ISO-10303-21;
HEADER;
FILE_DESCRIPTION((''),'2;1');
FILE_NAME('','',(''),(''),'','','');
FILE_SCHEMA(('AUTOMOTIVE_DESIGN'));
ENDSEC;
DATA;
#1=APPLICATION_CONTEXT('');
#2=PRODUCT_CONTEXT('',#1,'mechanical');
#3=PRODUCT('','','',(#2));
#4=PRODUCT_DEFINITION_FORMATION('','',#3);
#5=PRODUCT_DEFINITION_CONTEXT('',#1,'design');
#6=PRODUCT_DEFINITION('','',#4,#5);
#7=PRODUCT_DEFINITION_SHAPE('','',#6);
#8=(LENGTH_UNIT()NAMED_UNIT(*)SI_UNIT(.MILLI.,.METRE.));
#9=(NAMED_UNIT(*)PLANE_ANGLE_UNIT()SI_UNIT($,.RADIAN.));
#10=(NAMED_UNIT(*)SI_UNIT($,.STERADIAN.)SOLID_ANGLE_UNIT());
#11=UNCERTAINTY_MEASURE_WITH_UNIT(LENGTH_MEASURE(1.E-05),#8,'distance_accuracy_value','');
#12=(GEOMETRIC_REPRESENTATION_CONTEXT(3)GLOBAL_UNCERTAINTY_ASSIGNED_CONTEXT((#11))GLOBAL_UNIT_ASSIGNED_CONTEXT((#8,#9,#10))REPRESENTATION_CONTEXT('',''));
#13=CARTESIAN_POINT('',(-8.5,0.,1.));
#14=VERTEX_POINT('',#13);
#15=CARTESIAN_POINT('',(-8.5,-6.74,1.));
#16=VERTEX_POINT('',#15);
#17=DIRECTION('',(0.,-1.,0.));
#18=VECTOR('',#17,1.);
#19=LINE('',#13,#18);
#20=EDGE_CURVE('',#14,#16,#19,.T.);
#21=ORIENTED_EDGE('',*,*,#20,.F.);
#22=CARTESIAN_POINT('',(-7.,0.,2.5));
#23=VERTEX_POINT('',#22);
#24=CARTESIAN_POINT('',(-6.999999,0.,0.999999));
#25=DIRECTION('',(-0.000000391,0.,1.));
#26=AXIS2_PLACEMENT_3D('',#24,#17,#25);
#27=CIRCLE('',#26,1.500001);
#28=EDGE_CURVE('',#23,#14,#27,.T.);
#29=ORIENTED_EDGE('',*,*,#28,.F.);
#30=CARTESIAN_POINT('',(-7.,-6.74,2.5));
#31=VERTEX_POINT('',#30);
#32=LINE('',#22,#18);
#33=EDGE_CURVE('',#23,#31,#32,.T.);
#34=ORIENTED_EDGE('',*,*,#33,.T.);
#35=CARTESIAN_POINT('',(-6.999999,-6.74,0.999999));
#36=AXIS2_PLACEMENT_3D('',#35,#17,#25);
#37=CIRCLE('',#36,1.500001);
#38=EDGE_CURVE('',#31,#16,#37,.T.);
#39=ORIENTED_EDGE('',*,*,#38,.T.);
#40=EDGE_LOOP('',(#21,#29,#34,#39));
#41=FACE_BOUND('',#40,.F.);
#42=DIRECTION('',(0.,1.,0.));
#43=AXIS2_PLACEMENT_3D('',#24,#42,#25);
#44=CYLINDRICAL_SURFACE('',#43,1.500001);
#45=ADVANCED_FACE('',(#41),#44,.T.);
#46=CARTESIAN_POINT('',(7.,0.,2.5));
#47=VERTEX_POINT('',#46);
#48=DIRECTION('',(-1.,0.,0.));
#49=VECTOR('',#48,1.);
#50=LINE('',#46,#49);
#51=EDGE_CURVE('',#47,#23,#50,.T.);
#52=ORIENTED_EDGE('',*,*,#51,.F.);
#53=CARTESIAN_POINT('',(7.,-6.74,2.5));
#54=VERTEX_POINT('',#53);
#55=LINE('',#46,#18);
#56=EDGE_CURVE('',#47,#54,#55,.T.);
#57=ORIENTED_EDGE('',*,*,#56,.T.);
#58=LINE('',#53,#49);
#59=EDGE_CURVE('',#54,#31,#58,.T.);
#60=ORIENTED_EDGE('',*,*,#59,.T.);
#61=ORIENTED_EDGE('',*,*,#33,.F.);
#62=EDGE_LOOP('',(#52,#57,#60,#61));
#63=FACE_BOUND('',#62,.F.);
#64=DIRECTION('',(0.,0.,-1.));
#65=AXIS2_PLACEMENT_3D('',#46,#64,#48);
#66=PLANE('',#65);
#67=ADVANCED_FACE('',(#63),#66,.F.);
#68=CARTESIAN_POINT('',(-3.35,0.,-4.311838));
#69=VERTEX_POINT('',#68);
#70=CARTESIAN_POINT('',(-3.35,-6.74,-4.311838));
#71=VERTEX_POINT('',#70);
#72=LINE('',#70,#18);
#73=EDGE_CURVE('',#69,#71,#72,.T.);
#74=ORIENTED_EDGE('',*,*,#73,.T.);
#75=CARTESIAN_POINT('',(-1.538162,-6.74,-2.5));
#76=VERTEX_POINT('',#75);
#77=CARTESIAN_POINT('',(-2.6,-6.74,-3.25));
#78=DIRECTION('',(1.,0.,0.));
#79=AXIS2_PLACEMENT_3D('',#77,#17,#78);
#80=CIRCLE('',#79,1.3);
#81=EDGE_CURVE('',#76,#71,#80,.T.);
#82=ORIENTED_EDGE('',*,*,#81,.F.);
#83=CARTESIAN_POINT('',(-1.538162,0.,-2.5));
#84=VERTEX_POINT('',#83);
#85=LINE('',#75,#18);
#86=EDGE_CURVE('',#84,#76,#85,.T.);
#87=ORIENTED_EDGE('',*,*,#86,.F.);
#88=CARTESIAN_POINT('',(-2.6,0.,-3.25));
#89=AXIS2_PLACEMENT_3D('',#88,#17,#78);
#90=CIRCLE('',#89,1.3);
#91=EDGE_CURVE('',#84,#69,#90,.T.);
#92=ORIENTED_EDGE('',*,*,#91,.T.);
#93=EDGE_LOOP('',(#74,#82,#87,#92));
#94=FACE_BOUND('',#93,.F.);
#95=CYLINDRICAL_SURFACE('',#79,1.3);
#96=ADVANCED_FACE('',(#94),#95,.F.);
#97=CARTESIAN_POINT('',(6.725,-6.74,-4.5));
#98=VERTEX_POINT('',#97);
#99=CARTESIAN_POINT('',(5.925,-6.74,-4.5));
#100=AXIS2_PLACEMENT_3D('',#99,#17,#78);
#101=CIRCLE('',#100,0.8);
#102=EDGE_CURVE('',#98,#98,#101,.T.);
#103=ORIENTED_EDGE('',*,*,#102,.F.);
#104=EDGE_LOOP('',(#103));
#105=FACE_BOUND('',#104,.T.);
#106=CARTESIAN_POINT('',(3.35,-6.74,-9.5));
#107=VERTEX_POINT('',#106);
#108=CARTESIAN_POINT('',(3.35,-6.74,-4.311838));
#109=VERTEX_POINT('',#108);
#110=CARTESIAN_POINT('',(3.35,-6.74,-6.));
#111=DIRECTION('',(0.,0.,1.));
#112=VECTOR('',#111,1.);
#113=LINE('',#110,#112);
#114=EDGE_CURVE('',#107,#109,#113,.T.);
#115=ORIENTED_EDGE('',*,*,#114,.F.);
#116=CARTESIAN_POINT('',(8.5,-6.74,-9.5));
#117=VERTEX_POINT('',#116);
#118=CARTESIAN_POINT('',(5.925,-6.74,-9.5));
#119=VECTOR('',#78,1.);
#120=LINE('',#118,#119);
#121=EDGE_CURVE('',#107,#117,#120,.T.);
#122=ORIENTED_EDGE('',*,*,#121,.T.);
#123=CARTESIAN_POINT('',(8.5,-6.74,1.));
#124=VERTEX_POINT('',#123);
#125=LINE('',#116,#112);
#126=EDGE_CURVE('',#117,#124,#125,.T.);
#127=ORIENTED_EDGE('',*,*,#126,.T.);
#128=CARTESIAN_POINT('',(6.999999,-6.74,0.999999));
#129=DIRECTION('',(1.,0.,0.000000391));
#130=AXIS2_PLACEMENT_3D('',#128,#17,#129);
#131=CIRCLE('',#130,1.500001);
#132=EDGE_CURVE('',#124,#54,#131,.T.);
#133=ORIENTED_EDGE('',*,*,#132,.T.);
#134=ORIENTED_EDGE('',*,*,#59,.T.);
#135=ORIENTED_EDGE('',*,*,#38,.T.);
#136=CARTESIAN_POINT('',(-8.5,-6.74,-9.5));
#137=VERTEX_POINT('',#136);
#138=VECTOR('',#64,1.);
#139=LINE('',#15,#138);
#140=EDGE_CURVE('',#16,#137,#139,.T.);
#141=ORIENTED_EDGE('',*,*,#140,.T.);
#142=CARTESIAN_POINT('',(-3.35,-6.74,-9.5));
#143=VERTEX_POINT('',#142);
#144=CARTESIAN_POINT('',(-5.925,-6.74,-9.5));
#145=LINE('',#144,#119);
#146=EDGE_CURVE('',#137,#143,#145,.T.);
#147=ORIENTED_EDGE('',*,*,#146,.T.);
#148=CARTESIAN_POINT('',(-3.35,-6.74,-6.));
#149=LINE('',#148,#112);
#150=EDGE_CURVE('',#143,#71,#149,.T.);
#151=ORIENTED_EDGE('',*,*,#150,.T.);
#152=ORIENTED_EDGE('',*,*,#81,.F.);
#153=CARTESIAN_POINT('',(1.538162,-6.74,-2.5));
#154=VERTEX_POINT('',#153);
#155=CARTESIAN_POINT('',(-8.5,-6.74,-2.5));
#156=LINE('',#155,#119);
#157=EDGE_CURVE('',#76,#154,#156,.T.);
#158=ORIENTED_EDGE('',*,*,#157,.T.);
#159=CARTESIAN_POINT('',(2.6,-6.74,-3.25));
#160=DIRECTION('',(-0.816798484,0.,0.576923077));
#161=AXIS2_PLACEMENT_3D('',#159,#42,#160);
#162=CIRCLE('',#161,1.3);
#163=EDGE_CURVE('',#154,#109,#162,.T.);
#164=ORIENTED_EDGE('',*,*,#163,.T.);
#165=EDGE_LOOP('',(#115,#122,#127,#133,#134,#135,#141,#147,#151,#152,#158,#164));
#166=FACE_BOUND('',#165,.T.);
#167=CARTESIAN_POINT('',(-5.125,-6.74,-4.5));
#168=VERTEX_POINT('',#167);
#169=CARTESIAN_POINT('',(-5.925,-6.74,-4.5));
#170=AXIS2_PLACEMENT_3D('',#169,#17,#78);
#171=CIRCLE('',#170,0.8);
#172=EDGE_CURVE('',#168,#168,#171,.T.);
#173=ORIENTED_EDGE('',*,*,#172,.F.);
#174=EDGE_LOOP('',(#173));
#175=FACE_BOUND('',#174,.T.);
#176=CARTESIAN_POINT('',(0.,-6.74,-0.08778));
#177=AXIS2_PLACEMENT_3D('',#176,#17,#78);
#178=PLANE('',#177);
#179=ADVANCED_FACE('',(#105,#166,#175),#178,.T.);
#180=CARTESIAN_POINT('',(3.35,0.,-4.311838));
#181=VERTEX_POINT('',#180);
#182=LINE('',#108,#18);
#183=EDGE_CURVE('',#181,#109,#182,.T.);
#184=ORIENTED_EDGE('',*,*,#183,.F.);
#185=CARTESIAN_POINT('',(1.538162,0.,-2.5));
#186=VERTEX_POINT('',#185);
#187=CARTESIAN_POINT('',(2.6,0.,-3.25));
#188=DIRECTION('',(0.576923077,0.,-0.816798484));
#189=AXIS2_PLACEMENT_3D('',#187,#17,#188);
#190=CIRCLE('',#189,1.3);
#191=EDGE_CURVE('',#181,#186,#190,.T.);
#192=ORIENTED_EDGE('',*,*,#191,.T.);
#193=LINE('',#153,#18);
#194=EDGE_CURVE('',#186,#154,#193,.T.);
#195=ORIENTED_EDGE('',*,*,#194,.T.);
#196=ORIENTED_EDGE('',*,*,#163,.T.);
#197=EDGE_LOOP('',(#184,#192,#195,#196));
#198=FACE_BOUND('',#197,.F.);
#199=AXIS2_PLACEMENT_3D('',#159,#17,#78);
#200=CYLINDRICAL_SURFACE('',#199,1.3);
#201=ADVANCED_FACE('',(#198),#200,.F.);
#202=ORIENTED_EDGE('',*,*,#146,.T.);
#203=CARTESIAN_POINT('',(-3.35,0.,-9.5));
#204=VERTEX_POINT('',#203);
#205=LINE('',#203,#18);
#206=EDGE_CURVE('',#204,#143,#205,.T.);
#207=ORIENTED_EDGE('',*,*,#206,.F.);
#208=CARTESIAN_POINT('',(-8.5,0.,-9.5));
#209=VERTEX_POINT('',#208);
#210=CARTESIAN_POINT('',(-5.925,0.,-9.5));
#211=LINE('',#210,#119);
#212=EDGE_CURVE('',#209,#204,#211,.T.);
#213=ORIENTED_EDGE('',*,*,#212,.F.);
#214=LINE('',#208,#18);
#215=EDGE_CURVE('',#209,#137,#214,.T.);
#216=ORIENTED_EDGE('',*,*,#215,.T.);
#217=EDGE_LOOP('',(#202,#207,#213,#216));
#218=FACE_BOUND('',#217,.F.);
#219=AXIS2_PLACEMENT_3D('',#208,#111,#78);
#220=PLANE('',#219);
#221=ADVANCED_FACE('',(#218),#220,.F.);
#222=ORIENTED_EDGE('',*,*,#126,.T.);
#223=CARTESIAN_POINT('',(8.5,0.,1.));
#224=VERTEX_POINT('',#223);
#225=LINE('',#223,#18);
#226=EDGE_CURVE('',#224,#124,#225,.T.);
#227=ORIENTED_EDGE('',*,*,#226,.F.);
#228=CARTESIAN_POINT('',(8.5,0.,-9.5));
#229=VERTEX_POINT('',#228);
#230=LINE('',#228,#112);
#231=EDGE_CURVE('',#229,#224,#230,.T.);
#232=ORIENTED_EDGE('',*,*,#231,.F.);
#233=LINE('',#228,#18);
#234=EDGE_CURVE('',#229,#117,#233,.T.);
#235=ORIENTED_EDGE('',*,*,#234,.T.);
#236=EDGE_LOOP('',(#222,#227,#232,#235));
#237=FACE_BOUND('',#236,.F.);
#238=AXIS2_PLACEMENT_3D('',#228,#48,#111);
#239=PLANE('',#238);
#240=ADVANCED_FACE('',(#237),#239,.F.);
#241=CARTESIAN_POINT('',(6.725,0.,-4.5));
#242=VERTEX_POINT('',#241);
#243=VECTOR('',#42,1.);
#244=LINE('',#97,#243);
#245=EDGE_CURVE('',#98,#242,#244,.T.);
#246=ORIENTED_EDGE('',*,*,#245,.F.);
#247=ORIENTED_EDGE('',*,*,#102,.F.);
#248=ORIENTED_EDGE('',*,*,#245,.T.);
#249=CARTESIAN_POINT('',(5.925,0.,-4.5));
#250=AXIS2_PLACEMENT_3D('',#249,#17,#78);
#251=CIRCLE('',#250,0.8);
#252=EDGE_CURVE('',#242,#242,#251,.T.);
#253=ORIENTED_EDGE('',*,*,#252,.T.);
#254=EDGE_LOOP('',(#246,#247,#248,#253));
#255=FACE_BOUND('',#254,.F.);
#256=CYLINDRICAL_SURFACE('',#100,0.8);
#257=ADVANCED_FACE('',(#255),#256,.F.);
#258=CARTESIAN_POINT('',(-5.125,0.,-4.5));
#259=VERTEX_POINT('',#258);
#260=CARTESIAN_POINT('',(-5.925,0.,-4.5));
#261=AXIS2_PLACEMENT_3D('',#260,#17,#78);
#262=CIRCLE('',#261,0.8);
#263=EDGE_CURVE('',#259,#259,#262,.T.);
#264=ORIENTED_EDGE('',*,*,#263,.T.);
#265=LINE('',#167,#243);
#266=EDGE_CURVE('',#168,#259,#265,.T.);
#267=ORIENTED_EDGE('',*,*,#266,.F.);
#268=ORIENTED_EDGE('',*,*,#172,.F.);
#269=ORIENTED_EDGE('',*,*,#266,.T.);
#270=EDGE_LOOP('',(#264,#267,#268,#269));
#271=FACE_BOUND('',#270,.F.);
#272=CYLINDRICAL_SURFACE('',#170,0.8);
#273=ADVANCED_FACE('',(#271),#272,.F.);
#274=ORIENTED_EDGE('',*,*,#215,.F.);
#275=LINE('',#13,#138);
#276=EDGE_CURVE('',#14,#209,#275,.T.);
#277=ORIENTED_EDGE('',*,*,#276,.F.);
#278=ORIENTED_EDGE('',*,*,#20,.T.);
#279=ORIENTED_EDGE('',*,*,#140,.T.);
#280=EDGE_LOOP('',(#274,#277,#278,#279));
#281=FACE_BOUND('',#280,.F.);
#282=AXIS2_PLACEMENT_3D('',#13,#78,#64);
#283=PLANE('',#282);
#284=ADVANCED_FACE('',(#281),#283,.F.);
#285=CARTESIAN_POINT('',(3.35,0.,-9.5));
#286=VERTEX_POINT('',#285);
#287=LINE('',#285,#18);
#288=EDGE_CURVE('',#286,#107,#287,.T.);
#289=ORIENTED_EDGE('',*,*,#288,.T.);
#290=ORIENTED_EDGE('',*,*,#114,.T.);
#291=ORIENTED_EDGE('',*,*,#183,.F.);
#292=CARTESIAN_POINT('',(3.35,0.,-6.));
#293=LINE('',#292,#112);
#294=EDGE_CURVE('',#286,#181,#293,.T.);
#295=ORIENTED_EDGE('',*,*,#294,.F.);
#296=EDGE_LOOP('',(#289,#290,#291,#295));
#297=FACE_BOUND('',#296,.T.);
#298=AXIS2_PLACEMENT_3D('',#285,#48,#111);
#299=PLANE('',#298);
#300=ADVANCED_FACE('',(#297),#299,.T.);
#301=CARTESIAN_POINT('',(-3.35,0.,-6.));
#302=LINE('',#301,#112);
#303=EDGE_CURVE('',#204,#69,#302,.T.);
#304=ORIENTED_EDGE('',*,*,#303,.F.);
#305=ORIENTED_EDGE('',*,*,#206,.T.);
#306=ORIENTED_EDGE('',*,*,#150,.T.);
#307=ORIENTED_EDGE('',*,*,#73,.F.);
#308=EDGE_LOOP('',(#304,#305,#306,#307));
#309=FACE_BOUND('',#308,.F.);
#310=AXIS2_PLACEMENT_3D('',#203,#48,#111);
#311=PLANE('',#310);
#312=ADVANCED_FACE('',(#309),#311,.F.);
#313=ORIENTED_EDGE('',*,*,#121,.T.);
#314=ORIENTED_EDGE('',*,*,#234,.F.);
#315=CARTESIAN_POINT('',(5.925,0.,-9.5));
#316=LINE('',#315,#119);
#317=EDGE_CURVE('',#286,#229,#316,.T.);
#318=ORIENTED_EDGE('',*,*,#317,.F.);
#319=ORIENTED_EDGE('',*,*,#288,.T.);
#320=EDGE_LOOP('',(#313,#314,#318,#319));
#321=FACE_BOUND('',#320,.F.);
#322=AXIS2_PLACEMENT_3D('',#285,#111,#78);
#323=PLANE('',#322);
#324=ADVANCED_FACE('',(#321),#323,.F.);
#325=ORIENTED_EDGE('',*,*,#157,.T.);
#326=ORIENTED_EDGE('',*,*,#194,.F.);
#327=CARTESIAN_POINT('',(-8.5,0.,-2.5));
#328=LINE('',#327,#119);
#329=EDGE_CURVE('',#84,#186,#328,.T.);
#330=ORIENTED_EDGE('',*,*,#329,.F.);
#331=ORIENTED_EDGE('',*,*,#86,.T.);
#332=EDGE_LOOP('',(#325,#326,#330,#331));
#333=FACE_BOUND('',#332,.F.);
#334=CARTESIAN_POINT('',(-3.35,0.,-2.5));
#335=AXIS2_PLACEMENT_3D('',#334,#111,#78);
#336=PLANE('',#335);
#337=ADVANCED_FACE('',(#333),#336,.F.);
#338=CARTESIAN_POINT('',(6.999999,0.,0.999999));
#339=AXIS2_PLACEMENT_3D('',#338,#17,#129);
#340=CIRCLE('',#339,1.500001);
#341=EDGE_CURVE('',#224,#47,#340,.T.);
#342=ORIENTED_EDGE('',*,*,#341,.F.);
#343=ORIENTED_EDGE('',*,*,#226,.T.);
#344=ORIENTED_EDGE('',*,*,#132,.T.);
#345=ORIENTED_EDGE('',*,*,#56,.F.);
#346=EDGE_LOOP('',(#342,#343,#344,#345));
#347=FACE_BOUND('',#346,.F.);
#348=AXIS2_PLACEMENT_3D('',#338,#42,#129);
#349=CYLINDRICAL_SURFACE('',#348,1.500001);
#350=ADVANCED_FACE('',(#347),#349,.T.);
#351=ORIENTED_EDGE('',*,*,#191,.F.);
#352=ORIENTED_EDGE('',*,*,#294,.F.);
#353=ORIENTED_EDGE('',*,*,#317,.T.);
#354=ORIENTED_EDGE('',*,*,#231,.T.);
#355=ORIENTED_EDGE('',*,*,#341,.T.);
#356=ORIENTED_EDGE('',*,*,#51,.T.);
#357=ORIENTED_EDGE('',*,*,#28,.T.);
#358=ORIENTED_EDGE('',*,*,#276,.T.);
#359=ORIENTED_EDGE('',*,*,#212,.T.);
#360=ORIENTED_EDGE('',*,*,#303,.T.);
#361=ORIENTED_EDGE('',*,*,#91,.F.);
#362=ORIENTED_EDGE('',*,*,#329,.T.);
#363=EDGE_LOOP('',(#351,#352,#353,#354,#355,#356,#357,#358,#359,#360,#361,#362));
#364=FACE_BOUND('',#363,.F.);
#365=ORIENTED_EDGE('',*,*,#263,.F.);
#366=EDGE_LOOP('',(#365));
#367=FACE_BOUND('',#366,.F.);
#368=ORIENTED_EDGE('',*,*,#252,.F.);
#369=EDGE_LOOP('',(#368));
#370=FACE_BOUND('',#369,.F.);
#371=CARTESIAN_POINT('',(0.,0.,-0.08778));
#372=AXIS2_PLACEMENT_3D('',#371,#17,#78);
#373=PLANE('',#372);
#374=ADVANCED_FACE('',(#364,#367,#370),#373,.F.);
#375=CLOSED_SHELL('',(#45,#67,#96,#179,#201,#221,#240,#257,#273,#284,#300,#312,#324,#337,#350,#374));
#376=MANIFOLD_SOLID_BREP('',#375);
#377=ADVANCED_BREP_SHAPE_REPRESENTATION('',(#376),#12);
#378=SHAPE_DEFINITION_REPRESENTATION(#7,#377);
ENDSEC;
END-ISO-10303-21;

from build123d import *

# Parameters (mm, degrees)
F0_W     = 5.15
F0_H     = 7
F1_DEPTH = 6.74
F2_R     = 1.3
F3_DEPTH = 25
F4_R     = 0.8
F5_DEPTH = 6.741


with BuildPart() as f1:
    # F0 (on Front) → F1 (new body)
    with BuildSketch(Plane.XZ):
        with BuildLine():
            Line((7, 2.5), (-7, 2.5))
            ThreePointArc((-7, 2.5), (-8.06066, 2.06066), (-8.5, 1))
            Line((-8.5, 1), (-8.5, -2.5))
            Line((-8.5, -2.5), (-3.35, -2.5))
            Line((-3.35, -2.5), (3.35, -2.5))
            Line((3.35, -2.5), (8.5, -2.5))
            Line((8.5, -2.5), (8.5, 1))
            ThreePointArc((8.5, 1), (8.06066, 2.06066), (7, 2.5))
        make_face()
        with Locations((-5.925, -6)):
            Rectangle(F0_W, F0_H)
        with Locations((5.925, -6)):
            Rectangle(F0_W, F0_H)
    extrude(amount=F1_DEPTH)

    # F2 (on face) → F3 (cut)
    with BuildSketch(Plane.XZ.offset(6.74)):
        with Locations((-2.6, -3.25)):
            Circle(F2_R)
        with Locations((2.6, -3.25)):
            Circle(F2_R)
    extrude(amount=-F3_DEPTH, mode=Mode.SUBTRACT)

    # F4 (on face) → F5 (cut, through all)
    with BuildSketch(Plane.XZ.offset(6.74)):
        with Locations((-5.925, -4.5)):
            Circle(F4_R)
        with Locations((5.925, -4.5)):
            Circle(F4_R)
    extrude(amount=-F5_DEPTH, mode=Mode.SUBTRACT)


solid = f1.part
